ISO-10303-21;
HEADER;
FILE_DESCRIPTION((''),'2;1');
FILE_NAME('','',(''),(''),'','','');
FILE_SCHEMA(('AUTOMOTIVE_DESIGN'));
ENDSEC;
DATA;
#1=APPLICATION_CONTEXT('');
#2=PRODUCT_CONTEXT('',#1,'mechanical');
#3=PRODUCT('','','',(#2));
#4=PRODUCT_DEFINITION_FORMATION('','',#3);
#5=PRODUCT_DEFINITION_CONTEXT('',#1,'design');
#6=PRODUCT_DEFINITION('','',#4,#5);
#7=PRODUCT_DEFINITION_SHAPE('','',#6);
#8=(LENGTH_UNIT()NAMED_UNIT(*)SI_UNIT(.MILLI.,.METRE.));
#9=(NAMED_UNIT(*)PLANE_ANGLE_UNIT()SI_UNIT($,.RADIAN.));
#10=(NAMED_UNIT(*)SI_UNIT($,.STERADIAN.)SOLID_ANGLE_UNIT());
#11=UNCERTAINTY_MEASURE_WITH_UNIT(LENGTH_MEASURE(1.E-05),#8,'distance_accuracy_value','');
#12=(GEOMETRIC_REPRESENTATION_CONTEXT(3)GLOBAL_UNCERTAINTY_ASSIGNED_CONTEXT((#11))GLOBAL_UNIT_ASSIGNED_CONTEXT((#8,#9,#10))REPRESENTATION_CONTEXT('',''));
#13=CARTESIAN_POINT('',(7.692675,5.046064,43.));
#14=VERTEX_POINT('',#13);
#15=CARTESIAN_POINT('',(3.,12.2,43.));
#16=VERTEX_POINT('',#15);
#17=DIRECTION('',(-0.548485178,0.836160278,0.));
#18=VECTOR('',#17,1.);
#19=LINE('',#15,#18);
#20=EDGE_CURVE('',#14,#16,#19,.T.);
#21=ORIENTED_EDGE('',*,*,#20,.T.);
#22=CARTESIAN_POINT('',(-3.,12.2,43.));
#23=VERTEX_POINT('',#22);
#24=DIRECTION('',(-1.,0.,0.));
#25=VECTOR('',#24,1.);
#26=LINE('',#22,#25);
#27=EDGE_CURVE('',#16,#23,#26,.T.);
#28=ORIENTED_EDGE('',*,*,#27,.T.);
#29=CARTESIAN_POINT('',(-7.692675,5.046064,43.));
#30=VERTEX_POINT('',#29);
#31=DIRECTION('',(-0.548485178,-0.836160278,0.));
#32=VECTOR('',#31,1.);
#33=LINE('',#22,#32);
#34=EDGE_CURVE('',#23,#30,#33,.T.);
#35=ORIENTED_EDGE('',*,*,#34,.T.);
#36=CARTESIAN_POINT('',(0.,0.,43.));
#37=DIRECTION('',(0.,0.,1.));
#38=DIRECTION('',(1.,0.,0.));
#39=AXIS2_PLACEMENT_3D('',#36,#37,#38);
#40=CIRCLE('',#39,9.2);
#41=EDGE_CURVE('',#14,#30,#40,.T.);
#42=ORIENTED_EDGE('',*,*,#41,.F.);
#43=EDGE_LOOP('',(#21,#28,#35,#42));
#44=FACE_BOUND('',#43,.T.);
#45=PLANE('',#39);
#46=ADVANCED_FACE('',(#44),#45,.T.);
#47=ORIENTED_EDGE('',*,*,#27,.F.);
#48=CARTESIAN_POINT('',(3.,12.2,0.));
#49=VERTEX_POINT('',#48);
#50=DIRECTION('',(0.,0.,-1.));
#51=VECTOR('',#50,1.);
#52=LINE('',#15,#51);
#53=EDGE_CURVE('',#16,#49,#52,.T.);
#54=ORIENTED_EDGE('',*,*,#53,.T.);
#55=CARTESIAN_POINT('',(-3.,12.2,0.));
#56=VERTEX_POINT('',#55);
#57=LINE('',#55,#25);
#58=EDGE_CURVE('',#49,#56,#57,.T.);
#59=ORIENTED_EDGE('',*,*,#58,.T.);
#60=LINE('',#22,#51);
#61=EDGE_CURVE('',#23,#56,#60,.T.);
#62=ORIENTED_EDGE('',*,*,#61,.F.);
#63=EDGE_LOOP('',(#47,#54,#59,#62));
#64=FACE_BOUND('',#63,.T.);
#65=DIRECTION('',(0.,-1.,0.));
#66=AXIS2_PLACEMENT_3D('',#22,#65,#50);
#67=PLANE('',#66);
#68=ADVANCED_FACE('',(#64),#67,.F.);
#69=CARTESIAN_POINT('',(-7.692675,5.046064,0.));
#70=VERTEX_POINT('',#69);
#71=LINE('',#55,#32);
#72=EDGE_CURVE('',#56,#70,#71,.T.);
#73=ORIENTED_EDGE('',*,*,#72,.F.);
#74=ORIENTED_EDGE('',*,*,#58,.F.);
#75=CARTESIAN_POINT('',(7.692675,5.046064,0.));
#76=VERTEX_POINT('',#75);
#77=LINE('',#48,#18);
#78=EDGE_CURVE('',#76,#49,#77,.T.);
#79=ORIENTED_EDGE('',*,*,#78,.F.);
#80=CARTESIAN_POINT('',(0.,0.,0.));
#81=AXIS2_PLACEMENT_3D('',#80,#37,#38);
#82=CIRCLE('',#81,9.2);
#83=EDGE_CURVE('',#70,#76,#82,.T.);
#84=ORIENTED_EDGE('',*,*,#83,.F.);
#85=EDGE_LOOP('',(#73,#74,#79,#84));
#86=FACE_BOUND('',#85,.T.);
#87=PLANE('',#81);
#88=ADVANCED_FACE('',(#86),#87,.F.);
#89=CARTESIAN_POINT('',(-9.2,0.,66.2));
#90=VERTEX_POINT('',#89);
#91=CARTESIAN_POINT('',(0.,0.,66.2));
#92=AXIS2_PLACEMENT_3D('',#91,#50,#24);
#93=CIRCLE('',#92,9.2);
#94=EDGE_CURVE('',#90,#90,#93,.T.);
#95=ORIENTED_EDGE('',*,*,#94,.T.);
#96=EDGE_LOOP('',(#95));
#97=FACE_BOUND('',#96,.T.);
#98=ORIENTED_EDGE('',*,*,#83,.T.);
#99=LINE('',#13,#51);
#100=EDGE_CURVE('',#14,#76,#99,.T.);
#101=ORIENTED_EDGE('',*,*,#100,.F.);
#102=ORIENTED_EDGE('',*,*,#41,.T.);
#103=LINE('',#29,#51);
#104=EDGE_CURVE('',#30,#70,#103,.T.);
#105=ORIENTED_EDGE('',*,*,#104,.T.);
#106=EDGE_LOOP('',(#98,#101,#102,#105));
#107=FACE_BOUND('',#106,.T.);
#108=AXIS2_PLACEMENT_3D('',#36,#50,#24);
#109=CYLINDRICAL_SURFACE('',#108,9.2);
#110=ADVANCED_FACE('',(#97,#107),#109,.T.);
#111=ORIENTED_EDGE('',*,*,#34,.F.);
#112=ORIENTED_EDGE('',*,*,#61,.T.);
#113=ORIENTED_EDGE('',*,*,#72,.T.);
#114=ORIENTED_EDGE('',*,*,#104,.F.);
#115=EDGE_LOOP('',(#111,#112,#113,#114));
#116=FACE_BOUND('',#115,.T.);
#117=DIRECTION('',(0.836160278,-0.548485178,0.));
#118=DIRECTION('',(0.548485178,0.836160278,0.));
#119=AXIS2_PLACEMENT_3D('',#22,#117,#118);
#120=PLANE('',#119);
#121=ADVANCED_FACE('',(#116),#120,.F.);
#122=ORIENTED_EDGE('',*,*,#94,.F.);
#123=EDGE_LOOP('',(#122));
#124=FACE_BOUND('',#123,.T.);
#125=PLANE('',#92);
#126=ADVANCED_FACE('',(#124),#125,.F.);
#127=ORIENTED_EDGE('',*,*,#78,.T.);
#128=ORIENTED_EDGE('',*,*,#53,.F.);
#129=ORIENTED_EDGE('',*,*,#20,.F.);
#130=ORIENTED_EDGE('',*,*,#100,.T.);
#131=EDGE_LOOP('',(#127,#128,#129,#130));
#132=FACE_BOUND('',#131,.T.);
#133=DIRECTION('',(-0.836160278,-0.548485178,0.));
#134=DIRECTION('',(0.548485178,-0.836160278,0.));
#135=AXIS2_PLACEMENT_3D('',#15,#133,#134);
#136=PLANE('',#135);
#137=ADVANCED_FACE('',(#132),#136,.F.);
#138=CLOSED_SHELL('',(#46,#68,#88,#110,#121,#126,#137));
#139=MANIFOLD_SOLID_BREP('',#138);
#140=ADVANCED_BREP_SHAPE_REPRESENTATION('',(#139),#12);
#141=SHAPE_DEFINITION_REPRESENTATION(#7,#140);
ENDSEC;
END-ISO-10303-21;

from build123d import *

# Parameters (mm, degrees)
EXTRUDE_3_DEPTH = 43
SKETCH_3_R      = 9.2
EXTRUDE_4_DEPTH = 66.2


with BuildPart() as part:
    # 草图1 → 凸台-拉伸3 (new body)
    with BuildSketch(Plane.XY):
        with BuildLine():
            Line((-3, 12.2), (3, 12.2))
            Line((3, 12.2), (7.692674554, 5.046063634))
            ThreePointArc((7.692674554, 5.046063634), (0, -9.2), (-7.692674554, 5.046063634))
            Line((-7.692674554, 5.046063634), (-3, 12.2))
        make_face()
    extrude(amount=EXTRUDE_3_DEPTH)

    # 草图3 → 凸台-拉伸4 (add)
    with BuildSketch(Plane(origin=(0, 0, 0), x_dir=(-1, 0, 0), z_dir=(0, 0, -1))):
        Circle(SKETCH_3_R)
    extrude(amount=-EXTRUDE_4_DEPTH)


solid = part.part
